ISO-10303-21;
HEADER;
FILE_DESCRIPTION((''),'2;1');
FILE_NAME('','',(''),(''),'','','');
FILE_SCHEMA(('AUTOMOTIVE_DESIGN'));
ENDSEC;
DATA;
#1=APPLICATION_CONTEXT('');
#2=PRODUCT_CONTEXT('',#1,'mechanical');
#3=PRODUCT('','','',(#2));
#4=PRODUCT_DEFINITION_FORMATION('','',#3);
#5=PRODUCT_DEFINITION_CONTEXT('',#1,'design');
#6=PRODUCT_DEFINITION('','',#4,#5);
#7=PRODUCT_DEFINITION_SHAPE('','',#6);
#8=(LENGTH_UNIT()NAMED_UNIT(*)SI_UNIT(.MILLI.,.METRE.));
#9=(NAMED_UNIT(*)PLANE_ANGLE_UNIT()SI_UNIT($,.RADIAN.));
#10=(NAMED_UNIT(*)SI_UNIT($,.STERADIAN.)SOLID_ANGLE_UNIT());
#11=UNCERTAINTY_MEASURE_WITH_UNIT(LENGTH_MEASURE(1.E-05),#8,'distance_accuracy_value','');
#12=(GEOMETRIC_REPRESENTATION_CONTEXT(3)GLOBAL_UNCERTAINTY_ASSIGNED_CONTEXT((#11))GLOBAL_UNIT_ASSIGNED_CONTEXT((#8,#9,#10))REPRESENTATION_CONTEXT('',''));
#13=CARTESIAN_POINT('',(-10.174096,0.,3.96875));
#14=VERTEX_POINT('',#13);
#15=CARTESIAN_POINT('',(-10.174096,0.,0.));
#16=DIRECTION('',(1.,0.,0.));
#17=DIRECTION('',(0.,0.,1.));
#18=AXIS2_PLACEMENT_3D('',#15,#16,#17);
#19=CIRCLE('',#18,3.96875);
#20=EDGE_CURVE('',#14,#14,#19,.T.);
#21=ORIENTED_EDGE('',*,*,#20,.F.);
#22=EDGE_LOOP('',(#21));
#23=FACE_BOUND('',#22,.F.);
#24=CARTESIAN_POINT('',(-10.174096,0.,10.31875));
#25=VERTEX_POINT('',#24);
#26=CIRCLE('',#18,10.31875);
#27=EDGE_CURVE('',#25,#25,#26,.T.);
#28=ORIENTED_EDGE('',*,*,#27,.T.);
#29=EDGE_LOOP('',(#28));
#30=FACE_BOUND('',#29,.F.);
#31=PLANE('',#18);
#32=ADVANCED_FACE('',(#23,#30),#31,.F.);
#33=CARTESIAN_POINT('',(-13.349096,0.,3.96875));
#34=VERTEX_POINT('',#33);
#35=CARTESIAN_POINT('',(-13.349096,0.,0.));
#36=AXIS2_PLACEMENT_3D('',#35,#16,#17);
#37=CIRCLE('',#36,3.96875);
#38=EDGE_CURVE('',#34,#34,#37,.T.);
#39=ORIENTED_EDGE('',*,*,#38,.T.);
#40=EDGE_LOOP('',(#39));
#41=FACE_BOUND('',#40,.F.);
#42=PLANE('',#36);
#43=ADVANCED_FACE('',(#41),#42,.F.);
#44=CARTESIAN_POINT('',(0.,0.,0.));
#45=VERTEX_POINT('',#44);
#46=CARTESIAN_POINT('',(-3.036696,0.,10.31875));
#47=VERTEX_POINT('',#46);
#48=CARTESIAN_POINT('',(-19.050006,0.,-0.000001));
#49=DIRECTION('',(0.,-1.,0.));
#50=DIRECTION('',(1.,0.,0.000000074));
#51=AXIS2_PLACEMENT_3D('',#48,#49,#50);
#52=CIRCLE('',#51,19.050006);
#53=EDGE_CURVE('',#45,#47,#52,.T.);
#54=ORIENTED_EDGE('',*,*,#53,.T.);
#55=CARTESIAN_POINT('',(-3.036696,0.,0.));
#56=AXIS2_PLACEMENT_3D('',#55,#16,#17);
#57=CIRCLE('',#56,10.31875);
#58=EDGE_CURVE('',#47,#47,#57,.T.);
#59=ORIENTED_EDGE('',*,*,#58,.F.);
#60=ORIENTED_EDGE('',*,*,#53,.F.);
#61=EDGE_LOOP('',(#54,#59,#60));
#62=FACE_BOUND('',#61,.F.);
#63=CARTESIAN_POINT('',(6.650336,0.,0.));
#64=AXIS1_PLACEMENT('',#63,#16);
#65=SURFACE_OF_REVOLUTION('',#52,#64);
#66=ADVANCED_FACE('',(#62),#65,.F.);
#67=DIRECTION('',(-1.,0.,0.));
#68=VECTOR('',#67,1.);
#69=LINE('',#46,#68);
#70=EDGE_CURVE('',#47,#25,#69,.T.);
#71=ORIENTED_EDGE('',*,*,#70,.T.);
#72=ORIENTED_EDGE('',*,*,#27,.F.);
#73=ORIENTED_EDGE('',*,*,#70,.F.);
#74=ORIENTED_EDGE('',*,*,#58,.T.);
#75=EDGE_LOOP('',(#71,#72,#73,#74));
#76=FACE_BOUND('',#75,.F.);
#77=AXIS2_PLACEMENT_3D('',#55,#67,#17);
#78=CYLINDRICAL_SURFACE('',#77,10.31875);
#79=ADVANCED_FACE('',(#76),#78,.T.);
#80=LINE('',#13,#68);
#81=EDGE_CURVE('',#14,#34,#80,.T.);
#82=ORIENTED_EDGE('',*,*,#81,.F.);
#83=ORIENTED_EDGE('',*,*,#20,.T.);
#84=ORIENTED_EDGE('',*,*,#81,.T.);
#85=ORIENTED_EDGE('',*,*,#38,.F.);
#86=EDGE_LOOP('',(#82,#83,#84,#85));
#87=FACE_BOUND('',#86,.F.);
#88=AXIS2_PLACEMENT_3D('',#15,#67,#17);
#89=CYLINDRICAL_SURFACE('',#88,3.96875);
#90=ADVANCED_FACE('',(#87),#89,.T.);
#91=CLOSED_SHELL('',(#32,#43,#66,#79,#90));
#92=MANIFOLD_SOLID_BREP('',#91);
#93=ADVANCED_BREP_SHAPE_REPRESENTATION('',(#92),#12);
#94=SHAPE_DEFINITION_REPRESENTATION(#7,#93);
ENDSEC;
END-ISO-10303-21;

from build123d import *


with BuildPart() as f1:
    # F0 (on Front) → F1 (revolve)
    with BuildSketch(Plane.XZ):
        with BuildLine():
            Line((-13.349096, 0), (0, 0))
            ThreePointArc((0, 0), (-0.774936, 5.378153), (-3.036696, 10.31875))
            Line((-3.036696, 10.31875), (-10.174096, 10.31875))
            Line((-10.174096, 10.31875), (-10.174096, 3.96875))
            Line((-10.174096, 3.96875), (-13.349096, 3.96875))
            Line((-13.349096, 3.96875), (-13.349096, 0))
        make_face()
    revolve(axis=Axis((6.650336, 0, 0), (1, 0, 0)))


solid = f1.part
